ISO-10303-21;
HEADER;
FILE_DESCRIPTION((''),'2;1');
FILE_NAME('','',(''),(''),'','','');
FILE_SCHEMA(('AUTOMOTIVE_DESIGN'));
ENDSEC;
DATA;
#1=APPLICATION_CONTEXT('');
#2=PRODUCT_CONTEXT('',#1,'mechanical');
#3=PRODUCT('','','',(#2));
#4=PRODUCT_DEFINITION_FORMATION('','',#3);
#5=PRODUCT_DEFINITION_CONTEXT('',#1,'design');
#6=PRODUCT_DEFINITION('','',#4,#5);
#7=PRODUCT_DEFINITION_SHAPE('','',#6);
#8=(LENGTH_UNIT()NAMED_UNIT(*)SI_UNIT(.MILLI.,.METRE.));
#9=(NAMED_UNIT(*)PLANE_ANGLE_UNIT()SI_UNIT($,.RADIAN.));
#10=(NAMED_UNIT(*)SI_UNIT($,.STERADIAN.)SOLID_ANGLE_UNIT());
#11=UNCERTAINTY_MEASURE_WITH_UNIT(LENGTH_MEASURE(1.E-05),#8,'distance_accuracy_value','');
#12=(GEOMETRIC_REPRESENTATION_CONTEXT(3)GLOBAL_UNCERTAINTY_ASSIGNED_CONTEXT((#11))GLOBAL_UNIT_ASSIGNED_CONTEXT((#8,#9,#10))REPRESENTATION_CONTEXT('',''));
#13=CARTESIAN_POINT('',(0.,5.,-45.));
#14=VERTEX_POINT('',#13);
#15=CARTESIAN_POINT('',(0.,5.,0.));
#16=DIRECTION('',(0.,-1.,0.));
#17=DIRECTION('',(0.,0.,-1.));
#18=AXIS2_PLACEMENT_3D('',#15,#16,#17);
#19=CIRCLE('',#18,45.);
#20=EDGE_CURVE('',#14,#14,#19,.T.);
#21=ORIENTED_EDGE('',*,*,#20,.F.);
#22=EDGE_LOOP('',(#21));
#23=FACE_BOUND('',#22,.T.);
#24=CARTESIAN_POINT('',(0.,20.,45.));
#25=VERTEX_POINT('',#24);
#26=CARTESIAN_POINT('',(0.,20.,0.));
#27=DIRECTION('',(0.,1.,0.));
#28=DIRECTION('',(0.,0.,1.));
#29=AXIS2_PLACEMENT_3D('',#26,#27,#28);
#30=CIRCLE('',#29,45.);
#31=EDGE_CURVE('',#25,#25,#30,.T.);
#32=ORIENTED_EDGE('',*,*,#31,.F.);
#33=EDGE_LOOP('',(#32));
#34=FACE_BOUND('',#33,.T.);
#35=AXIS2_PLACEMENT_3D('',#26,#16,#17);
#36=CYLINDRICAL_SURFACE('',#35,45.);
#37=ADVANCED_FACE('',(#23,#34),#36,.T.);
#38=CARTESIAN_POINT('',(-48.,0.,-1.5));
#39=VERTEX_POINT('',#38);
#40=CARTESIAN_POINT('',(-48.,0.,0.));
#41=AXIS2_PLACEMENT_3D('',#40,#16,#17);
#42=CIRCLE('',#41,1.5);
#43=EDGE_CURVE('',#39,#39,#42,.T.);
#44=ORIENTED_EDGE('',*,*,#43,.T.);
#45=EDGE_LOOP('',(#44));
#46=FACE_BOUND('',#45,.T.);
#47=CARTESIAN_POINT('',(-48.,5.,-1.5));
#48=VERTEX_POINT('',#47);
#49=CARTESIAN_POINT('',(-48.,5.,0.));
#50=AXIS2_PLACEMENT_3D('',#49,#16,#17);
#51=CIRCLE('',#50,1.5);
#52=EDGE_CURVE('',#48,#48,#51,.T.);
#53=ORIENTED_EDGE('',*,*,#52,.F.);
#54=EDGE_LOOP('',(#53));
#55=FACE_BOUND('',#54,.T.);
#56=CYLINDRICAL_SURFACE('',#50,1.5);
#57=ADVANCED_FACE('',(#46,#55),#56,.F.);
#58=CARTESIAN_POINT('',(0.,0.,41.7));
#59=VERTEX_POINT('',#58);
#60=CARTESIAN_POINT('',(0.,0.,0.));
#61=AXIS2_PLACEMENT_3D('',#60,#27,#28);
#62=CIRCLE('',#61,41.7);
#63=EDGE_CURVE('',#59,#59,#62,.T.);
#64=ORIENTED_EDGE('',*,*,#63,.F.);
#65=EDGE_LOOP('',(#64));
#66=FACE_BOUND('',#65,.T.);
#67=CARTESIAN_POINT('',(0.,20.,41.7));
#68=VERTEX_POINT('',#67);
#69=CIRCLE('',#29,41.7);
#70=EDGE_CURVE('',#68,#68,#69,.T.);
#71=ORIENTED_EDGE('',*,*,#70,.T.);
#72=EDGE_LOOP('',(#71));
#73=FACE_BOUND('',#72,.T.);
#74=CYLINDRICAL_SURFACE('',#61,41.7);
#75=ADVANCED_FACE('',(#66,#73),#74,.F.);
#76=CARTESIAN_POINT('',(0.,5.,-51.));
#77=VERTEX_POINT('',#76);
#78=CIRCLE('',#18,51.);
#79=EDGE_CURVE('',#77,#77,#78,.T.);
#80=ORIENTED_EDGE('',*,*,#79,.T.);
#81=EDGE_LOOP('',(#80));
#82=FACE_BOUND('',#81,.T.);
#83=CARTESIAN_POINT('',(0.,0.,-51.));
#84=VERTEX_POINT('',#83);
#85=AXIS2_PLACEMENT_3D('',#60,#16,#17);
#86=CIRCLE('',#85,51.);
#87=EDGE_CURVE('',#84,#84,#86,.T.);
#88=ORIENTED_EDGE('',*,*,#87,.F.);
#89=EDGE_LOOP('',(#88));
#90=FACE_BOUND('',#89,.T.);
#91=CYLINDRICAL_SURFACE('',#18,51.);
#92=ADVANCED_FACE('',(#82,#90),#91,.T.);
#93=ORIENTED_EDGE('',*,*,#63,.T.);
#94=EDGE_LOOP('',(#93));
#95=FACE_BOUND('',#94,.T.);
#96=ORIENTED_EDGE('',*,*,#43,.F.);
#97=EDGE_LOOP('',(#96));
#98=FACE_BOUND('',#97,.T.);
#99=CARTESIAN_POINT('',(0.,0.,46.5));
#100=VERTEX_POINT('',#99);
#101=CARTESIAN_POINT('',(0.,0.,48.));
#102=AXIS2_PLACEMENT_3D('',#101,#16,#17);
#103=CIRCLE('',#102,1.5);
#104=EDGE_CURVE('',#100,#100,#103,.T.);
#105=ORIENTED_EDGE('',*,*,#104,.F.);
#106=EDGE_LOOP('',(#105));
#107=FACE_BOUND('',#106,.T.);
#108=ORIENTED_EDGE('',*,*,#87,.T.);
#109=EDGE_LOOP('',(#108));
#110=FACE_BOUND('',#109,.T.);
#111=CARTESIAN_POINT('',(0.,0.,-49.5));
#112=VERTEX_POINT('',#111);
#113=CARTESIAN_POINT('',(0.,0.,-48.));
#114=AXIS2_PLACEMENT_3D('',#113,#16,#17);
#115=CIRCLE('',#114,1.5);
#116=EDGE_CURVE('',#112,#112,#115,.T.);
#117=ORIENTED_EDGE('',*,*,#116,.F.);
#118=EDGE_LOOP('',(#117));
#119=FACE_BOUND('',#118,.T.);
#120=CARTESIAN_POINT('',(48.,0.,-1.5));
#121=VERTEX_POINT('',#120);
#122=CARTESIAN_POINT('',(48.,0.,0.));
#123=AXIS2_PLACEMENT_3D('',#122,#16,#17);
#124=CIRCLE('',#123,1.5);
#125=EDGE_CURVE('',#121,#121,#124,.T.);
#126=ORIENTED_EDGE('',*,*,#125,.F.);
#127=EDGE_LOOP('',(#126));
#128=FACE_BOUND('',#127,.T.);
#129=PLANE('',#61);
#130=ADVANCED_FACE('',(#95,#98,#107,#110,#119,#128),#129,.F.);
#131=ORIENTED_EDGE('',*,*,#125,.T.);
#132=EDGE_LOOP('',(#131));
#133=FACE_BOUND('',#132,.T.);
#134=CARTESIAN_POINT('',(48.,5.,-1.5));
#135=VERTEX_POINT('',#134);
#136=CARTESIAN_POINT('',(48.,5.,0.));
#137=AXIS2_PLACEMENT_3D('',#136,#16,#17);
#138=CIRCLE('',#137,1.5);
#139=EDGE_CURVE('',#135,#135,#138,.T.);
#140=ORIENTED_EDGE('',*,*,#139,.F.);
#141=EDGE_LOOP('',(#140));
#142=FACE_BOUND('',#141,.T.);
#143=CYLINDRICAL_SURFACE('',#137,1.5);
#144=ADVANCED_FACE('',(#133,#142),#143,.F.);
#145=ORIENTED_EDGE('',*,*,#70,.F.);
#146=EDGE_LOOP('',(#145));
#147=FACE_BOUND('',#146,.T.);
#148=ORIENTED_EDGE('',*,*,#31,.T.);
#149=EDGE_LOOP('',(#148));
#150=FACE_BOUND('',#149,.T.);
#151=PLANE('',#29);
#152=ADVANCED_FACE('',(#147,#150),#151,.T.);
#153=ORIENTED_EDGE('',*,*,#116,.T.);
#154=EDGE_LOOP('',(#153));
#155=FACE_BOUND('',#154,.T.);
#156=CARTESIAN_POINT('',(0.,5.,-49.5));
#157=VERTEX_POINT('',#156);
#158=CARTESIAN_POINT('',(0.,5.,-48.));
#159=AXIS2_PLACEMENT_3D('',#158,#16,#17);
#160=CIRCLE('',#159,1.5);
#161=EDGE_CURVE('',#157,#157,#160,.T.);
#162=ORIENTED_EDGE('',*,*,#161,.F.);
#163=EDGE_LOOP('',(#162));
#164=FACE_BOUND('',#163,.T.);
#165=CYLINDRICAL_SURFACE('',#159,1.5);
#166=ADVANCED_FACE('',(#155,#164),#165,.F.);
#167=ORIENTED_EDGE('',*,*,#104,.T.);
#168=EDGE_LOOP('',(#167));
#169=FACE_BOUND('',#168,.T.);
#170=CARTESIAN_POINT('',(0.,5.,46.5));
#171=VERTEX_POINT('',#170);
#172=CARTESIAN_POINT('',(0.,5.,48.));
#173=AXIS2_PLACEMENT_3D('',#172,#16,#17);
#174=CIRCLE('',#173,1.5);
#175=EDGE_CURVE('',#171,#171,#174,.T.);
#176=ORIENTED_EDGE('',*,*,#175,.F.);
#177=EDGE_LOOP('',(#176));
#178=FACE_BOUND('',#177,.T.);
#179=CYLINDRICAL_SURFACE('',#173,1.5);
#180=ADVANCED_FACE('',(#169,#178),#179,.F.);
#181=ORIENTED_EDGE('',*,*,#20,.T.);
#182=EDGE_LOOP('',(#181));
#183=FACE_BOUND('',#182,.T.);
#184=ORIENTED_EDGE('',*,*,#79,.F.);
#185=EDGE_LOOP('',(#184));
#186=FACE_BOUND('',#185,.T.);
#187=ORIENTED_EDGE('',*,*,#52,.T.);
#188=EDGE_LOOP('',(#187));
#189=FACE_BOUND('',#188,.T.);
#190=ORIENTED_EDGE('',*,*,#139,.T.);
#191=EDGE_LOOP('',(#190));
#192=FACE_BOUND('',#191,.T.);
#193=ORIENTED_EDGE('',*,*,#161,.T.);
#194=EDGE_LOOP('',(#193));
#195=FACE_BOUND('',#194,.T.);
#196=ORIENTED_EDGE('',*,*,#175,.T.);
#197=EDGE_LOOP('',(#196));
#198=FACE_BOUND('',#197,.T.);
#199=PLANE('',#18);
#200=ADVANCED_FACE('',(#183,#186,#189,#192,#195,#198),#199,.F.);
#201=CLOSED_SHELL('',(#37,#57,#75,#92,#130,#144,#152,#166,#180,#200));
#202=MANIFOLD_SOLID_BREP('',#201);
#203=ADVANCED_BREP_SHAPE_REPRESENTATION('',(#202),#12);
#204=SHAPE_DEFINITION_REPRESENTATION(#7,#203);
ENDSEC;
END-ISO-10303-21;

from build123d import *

# Parameters (mm, degrees)
SKETCH1_R           = 45
SKETCH1_R_2         = 42
BOSS_EXTRUDE1_DEPTH = 20
SKETCH2_R           = 51
SKETCH2_R_2         = 1.5
SKETCH2_R_3         = 45
BOSS_EXTRUDE2_DEPTH = 5
BOSS_EXTRUDE3_START = -20
SKETCH3_R           = 42
SKETCH3_R_2         = 41.5
BOSS_EXTRUDE3_DEPTH = 20
SKETCH4_R           = 41.7
SKETCH4_R_2         = 41.5
CUT_EXTRUDE1_DEPTH  = 75.846509605


with BuildPart() as part:
    # Sketch1 → Boss-Extrude1 (new body)
    with BuildSketch(Plane(origin=(0, 0, 0), x_dir=(1, 0, 0), z_dir=(0, 1, 0))):
        with Locations(Location((0, 0, 0), (0, 0, 270))):
            Circle(SKETCH1_R)
        with Locations(Location((0, 0, 0), (0, 0, 270))):
            Circle(SKETCH1_R_2, mode=Mode.SUBTRACT)
    extrude(amount=BOSS_EXTRUDE1_DEPTH)

    # Sketch2 → Boss-Extrude2 (add)
    with BuildSketch(Plane.XZ):
        with Locations(Location((0, 0, 0), (0, 0, 270))):
            Circle(SKETCH2_R)
        with Locations(Location((0, -48, 0), (0, 0, 270))):
            Circle(SKETCH2_R_2, mode=Mode.SUBTRACT)
        with Locations(Location((-48, 0, 0), (0, 0, 270))):
            Circle(SKETCH2_R_2, mode=Mode.SUBTRACT)
        with Locations(Location((0, 0, 0), (0, 0, 270))):
            Circle(SKETCH2_R_3, mode=Mode.SUBTRACT)
        with BuildLine():
            ThreePointArc((49.5, 0), (48, -1.5), (46.5, 0))
            ThreePointArc((46.5, 0), (48, 1.5), (49.5, 0))
        make_face(mode=Mode.SUBTRACT)
        with Locations(Location((0, 48, 0), (0, 0, 270))):
            Circle(SKETCH2_R_2, mode=Mode.SUBTRACT)
    extrude(amount=-BOSS_EXTRUDE2_DEPTH)

    # Sketch3 → Boss-Extrude3 (add)
    with BuildSketch(Plane(origin=(0, 20, 0), x_dir=(1, 0, 0), z_dir=(0, 1, 0)).offset(BOSS_EXTRUDE3_START)):
        Circle(SKETCH3_R)
        with Locations(Location((0, 0, 0), (0, 0, 270))):
            Circle(SKETCH3_R_2, mode=Mode.SUBTRACT)
    extrude(amount=BOSS_EXTRUDE3_DEPTH)

    # Sketch4 → Cut-Extrude1 (cut, through all)
    with BuildSketch(Plane(origin=(0, 20, 0), x_dir=(1, 0, 0), z_dir=(0, 1, 0))):
        with Locations(Location((0, 0, 0), (0, 0, 270))):
            Circle(SKETCH4_R)
        Circle(SKETCH4_R_2, mode=Mode.SUBTRACT)
    extrude(amount=-CUT_EXTRUDE1_DEPTH, mode=Mode.SUBTRACT)


solid = part.part
